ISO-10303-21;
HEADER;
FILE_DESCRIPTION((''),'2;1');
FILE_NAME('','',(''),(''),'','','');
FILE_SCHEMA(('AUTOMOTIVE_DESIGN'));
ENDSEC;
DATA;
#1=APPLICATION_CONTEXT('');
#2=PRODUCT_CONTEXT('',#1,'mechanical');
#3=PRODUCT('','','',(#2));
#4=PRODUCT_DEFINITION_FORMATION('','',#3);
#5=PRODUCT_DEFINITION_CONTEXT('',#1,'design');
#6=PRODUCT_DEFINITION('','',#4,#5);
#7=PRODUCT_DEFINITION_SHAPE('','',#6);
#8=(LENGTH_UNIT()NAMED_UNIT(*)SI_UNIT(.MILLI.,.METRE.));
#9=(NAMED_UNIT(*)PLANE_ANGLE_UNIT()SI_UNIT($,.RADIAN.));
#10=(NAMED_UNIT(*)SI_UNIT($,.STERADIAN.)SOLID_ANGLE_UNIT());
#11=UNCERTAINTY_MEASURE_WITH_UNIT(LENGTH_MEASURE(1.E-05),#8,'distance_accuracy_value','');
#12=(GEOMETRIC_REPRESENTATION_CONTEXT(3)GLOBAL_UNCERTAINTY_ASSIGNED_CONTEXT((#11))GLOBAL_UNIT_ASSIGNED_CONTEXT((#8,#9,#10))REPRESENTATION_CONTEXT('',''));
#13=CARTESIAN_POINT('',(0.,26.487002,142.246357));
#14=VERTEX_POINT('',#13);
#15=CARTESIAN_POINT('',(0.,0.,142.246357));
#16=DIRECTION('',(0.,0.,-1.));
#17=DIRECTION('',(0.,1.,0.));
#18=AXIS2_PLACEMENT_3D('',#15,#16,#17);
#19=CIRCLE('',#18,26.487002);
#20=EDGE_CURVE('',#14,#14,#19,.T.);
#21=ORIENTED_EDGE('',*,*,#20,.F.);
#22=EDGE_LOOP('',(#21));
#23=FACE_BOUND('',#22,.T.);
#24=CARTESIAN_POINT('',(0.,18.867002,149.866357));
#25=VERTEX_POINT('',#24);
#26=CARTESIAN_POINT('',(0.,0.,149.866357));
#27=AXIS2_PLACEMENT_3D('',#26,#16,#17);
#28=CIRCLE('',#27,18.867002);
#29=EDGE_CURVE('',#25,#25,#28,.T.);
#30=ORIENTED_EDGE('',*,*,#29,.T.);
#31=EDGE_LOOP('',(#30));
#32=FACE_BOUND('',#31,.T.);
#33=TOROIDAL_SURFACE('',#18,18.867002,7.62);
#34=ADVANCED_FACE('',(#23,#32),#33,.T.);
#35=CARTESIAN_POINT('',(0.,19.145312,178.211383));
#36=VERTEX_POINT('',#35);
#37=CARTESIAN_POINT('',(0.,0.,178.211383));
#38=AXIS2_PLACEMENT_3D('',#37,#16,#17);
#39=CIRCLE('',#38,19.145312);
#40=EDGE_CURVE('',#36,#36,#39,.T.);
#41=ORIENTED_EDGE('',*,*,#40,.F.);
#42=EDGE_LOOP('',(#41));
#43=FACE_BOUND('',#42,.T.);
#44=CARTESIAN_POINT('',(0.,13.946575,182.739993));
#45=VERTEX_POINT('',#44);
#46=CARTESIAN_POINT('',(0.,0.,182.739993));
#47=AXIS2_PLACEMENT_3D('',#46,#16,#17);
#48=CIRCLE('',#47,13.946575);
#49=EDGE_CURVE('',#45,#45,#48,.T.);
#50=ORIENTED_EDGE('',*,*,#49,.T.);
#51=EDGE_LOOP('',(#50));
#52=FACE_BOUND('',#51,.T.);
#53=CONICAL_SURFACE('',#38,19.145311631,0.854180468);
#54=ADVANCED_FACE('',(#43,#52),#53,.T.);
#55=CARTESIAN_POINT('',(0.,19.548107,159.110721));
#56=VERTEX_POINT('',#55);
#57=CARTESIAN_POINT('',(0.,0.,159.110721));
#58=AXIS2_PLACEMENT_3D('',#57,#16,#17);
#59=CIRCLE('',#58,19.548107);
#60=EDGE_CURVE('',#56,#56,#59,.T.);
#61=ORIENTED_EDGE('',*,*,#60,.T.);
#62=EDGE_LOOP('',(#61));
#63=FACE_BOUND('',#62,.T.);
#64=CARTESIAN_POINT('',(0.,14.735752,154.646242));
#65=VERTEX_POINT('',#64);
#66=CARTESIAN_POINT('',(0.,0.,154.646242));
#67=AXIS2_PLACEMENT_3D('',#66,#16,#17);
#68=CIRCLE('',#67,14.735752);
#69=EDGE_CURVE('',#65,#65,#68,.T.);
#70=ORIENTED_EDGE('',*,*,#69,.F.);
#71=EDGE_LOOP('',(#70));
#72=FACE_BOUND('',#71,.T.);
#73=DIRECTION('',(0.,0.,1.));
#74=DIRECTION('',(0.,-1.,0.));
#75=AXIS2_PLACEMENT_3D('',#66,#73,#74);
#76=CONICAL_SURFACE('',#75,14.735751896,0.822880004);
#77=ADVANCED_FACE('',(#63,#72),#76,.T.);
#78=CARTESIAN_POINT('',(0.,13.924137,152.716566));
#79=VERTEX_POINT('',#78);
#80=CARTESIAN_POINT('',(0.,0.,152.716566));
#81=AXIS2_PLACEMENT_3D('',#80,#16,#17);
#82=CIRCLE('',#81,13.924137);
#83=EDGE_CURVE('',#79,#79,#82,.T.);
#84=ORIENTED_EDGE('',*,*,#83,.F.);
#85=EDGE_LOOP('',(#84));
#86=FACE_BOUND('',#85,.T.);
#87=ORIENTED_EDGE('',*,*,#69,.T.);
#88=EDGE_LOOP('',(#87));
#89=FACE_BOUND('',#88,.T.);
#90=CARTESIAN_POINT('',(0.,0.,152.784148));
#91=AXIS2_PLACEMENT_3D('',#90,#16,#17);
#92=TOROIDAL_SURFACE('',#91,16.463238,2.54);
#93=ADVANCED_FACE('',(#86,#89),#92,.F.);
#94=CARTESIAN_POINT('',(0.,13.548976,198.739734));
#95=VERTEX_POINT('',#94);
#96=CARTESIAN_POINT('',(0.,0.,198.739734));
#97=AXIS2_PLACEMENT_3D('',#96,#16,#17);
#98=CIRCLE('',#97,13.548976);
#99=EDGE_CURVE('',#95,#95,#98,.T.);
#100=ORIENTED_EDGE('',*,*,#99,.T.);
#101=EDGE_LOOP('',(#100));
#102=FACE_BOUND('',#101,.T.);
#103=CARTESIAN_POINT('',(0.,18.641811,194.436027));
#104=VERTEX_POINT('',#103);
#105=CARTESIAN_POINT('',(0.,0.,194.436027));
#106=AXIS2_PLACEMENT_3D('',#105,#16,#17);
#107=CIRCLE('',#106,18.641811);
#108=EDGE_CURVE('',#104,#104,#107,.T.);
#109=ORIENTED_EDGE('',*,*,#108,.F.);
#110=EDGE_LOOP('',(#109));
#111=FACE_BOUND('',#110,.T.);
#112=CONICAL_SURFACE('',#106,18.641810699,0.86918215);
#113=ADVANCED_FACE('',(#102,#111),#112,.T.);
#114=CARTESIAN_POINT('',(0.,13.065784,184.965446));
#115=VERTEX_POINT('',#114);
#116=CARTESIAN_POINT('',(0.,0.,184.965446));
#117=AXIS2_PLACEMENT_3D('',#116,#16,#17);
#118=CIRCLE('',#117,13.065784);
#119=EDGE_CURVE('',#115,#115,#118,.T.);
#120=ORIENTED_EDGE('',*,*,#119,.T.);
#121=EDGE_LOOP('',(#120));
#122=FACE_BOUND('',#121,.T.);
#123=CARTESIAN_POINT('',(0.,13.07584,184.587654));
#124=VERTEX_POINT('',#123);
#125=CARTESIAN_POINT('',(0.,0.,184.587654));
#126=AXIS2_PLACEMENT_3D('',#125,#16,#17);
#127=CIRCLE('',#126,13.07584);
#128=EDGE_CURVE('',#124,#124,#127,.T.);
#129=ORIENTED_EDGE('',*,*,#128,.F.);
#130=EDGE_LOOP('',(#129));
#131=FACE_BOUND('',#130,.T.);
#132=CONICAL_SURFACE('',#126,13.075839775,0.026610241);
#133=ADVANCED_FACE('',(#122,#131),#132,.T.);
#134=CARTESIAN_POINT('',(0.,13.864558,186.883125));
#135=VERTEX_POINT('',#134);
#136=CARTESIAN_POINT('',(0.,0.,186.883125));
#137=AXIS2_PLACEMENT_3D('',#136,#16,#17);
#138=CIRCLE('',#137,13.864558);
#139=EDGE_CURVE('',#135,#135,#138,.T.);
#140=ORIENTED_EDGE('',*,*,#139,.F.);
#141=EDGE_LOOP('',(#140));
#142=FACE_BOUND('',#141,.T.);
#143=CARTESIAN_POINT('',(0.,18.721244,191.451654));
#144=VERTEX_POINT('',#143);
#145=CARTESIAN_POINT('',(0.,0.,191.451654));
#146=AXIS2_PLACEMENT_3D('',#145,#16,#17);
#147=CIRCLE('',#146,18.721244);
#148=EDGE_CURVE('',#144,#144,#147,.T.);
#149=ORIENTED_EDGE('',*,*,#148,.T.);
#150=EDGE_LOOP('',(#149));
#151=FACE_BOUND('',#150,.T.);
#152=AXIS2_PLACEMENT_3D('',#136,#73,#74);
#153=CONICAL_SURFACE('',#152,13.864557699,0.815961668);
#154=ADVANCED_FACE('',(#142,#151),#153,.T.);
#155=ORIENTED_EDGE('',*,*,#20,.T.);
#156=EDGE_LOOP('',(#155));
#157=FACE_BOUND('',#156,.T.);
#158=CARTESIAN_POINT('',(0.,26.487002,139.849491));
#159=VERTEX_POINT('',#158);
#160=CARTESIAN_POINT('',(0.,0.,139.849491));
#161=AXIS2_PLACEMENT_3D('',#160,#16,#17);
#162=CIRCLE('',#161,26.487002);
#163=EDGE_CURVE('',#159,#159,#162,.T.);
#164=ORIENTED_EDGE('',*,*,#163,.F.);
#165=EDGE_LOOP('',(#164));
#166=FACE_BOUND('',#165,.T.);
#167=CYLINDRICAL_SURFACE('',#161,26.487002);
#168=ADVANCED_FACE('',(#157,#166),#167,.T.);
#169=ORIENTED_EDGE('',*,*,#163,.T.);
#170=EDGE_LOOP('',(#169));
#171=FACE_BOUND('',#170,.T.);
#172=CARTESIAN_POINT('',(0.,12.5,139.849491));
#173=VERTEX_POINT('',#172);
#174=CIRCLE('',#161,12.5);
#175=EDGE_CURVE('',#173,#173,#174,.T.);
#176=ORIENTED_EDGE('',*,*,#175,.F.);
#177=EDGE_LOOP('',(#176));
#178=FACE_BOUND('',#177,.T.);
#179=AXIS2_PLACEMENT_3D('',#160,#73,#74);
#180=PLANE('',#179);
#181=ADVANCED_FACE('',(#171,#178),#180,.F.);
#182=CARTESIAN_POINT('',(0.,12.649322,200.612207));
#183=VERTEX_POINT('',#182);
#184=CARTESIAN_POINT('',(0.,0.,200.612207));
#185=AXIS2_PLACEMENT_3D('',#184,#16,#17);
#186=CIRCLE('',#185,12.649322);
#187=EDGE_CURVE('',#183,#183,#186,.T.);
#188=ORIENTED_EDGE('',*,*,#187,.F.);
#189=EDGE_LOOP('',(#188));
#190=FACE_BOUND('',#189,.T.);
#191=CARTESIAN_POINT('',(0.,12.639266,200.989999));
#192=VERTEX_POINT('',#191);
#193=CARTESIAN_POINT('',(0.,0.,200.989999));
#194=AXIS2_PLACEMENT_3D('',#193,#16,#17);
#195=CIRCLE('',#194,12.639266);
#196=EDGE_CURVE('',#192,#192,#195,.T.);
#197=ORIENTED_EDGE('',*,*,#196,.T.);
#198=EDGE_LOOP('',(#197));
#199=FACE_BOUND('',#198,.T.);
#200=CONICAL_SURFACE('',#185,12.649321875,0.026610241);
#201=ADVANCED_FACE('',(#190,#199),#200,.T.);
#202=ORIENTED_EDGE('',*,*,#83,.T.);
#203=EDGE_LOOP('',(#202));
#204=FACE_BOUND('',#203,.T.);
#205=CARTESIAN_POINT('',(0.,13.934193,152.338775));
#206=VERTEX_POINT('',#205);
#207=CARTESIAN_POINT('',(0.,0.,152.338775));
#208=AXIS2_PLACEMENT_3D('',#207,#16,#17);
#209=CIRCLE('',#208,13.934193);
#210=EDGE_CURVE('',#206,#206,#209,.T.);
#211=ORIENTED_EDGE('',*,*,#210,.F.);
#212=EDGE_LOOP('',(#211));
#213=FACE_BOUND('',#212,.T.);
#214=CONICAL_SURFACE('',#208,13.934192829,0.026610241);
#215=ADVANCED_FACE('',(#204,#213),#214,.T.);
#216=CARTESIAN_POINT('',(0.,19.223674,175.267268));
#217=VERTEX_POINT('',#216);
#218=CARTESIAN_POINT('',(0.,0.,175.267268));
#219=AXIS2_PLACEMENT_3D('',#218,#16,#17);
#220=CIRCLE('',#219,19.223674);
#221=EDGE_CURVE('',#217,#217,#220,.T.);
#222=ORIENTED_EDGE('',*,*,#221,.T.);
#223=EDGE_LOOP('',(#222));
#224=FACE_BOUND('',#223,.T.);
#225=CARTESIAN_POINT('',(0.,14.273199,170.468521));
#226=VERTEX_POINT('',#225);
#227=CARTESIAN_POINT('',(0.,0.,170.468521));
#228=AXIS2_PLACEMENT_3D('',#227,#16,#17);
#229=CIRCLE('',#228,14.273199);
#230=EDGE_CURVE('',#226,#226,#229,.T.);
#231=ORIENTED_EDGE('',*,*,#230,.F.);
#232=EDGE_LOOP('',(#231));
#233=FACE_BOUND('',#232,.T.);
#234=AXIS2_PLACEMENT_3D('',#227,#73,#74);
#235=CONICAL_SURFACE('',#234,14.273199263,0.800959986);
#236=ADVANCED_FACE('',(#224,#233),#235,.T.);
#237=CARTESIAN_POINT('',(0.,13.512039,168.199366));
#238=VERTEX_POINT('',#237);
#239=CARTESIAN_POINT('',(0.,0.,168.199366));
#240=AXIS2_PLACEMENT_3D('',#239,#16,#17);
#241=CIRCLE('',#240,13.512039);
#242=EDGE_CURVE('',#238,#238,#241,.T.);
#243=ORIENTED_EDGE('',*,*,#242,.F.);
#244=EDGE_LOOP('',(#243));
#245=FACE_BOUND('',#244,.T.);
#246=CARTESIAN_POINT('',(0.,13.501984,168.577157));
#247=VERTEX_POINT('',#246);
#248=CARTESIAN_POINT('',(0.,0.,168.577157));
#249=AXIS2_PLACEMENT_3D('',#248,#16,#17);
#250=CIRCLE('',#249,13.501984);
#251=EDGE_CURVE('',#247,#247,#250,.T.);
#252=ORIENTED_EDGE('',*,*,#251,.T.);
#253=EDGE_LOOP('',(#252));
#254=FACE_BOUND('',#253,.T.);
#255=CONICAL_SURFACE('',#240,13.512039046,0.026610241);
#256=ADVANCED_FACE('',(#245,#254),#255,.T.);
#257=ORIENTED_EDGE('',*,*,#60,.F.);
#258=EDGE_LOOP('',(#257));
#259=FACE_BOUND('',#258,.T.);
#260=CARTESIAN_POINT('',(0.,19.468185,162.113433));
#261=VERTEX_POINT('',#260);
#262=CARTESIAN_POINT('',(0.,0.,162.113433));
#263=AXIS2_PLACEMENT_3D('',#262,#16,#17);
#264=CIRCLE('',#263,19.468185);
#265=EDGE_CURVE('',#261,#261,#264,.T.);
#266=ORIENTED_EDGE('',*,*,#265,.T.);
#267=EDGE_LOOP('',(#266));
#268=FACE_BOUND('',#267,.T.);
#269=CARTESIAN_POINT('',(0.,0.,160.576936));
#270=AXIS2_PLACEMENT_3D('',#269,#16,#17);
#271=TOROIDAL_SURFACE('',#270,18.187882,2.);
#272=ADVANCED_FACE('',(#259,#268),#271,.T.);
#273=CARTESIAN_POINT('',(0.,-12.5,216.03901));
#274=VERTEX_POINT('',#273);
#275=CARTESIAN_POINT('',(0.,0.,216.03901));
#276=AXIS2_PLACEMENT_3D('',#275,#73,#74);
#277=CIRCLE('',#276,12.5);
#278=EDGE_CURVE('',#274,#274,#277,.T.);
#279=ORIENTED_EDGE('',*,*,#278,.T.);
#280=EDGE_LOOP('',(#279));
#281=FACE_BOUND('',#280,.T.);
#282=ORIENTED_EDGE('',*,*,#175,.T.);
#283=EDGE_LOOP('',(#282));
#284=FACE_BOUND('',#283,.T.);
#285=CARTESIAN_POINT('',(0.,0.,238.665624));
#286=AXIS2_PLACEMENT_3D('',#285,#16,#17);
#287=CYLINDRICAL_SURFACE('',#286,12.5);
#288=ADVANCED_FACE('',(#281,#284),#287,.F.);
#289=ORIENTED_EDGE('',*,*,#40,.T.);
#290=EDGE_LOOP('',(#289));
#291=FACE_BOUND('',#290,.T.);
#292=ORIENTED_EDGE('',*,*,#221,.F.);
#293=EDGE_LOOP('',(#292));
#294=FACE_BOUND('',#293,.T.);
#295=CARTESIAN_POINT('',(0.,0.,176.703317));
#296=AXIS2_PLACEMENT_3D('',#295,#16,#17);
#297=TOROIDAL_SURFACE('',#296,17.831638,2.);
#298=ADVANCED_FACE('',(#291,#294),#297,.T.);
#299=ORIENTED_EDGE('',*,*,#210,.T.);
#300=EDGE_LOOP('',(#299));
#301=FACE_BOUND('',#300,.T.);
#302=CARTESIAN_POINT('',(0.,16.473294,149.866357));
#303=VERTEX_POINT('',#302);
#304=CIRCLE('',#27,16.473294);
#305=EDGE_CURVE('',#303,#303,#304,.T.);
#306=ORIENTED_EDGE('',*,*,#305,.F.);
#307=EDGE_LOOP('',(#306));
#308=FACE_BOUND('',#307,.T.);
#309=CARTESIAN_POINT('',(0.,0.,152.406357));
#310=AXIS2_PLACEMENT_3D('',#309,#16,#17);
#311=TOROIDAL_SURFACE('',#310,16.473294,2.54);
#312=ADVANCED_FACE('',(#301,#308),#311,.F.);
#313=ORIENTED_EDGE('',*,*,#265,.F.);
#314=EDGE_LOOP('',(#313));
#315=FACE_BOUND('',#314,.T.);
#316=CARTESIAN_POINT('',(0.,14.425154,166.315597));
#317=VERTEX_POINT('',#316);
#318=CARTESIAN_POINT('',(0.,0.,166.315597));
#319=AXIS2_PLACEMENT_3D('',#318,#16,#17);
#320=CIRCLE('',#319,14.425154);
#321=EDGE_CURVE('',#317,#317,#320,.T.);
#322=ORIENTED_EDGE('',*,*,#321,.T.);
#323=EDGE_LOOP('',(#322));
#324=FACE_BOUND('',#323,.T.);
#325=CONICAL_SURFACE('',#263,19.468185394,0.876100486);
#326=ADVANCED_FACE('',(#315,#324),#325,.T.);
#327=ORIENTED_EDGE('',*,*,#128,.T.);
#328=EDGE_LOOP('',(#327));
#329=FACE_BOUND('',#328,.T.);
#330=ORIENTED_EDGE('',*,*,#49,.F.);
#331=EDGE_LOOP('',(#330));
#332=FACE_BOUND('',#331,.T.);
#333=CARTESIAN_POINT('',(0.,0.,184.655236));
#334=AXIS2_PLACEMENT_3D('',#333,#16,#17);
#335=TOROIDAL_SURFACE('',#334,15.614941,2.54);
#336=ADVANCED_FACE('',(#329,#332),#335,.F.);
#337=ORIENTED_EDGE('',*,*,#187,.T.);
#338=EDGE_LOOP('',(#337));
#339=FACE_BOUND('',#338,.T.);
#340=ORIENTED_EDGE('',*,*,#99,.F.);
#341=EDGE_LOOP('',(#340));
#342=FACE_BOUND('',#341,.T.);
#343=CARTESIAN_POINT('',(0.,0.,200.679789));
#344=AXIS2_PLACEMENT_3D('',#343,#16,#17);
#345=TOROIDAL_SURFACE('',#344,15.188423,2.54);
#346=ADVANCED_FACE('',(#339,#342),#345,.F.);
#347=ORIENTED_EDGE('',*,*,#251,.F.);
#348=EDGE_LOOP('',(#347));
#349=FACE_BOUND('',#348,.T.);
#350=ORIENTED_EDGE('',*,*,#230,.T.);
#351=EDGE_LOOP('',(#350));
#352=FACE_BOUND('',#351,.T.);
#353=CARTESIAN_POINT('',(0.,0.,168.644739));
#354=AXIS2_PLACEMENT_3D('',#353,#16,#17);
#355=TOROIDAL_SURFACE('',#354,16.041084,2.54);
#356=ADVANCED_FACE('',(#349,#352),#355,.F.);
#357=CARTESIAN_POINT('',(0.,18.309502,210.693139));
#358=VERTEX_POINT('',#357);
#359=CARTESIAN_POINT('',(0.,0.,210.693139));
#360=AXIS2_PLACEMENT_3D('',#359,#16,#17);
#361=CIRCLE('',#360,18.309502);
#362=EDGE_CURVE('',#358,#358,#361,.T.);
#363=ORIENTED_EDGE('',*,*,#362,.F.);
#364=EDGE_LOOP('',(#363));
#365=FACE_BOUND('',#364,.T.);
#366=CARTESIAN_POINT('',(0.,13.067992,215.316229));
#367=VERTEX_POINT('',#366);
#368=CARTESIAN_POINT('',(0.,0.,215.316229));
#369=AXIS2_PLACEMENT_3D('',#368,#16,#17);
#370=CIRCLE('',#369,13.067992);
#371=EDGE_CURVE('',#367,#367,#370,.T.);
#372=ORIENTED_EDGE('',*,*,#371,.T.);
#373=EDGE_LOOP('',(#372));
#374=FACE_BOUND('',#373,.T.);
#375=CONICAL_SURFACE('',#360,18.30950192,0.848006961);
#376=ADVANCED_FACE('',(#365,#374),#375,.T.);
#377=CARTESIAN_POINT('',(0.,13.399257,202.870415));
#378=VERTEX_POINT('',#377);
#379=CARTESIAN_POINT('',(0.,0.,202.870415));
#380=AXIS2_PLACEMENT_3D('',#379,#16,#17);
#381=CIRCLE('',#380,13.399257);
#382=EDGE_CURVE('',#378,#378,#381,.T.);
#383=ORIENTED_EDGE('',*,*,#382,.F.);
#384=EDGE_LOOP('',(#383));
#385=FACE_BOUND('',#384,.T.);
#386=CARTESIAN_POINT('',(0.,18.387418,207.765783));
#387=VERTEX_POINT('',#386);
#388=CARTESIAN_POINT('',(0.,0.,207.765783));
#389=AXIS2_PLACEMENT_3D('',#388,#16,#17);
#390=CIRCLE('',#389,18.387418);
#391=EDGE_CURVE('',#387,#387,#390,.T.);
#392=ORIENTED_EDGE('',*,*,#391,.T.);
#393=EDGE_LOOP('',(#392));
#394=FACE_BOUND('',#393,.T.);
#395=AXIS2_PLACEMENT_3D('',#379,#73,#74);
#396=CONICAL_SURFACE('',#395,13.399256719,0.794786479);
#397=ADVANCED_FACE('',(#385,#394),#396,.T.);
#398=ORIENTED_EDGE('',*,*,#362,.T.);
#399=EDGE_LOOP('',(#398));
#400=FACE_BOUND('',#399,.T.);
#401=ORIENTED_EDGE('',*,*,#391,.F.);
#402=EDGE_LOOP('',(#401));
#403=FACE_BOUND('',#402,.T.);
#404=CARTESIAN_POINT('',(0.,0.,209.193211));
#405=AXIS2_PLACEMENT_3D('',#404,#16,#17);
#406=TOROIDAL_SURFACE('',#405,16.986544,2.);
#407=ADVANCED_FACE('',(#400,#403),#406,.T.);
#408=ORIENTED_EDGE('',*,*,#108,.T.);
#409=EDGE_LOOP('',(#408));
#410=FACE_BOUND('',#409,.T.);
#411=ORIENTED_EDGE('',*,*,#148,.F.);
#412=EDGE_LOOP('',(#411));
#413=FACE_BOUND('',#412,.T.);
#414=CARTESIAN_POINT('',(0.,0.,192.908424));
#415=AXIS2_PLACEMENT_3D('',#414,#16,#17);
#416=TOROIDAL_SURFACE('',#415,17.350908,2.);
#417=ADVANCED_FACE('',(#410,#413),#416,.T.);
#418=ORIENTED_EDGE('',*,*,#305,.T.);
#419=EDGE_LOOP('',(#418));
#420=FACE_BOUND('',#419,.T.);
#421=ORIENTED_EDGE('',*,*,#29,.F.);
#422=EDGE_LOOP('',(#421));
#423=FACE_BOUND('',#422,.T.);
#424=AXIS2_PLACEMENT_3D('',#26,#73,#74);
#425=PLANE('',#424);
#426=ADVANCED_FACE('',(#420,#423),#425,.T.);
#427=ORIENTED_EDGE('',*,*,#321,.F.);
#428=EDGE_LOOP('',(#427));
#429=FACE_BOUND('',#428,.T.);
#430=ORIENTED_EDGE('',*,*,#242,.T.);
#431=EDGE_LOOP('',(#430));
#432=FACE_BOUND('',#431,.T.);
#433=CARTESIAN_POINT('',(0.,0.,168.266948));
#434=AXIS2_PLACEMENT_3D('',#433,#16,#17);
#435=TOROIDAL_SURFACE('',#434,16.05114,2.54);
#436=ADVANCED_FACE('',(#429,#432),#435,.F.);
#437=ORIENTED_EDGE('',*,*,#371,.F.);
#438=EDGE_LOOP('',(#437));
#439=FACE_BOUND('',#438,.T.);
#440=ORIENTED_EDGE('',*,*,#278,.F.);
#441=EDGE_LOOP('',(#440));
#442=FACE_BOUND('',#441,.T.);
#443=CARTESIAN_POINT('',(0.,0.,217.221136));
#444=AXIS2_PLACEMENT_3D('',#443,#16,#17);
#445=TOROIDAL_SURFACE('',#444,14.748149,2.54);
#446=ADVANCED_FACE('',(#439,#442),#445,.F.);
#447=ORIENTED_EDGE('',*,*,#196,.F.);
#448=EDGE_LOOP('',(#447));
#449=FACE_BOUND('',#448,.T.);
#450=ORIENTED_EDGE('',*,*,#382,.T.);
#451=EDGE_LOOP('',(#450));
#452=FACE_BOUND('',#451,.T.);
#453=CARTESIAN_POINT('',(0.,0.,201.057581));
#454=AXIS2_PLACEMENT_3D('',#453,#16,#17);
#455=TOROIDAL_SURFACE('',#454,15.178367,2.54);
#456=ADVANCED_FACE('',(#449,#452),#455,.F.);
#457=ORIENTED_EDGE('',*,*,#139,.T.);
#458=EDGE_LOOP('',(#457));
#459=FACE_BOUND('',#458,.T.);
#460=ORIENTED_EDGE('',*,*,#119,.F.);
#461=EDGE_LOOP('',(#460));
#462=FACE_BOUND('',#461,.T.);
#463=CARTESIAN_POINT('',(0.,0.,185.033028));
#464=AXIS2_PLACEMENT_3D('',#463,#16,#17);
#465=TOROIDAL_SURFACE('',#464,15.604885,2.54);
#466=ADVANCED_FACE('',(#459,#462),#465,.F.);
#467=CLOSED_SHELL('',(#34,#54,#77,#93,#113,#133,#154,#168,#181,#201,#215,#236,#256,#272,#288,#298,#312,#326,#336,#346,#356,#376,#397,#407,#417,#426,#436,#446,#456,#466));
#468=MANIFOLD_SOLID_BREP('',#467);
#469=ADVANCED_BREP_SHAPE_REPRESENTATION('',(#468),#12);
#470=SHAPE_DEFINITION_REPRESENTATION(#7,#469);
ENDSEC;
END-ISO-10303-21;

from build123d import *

# Parameters (mm, degrees)
SKETCH21_R         = 12.5
CUT_EXTRUDE1_DEPTH = 106.677579344


with BuildPart() as part:
    # Sketch20 → Revolve5 (revolve)
    with BuildSketch(Plane(origin=(0, 0, 0), x_dir=(0, 0, -1), z_dir=(1, 0, 0))):
        with BuildLine():
            ThreePointArc((-149.86635702, 16.473293589), (-150.586568795, 14.701297309), (-152.338774985, 13.934192829))
            Line((-152.338774985, 13.934192829), (-152.716566296, 13.924137338))
            ThreePointArc((-152.716566296, 13.924137338), (-153.768905768, 14.121902412), (-154.646241622, 14.735751896))
            Line((-154.646241622, 14.735751896), (-159.110721109, 19.548107151))
            ThreePointArc((-159.110721109, 19.548107151), (-160.630150499, 20.187173732), (-162.113433189, 19.468185394))
            Line((-162.113433189, 19.468185394), (-166.315596551, 14.425154235))
            ThreePointArc((-166.315596551, 14.425154235), (-167.159036261, 13.765503688), (-168.199365567, 13.512039046))
            Line((-168.199365567, 13.512039046), (-168.577156878, 13.501983554))
            ThreePointArc((-168.577156878, 13.501983554), (-169.603776658, 13.689096516), (-170.468521369, 14.273199263))
            Line((-170.468521369, 14.273199263), (-175.267267946, 19.223673735))
            ThreePointArc((-175.267267946, 19.223673735), (-176.756531325, 19.830930199), (-178.211382865, 19.145311631))
            Line((-178.211382865, 19.145311631), (-182.739992735, 13.946575356))
            ThreePointArc((-182.739992735, 13.946575356), (-183.572441518, 13.317299218), (-184.587654191, 13.075839775))
            Line((-184.587654191, 13.075839775), (-184.965445502, 13.065784283))
            ThreePointArc((-184.965445502, 13.065784283), (-186.009680025, 13.260156931), (-186.88312503, 13.864557699))
            Line((-186.88312503, 13.864557699), (-191.451654285, 18.721244315))
            ThreePointArc((-191.451654285, 18.721244315), (-192.961638166, 19.35019976), (-194.436026585, 18.641810699))
            Line((-194.436026585, 18.641810699), (-198.73973417, 13.548975982))
            ThreePointArc((-198.73973417, 13.548975982), (-199.579791169, 12.898967748), (-200.612207462, 12.649321875))
            Line((-200.612207462, 12.649321875), (-200.989998773, 12.639266383))
            ThreePointArc((-200.989998773, 12.639266383), (-202.00935399, 12.823430241), (-202.870414529, 13.399256719))
            Line((-202.870414529, 13.399256719), (-207.765783323, 18.387417939))
            ThreePointArc((-207.765783323, 18.387417939), (-209.246425651, 18.985835526), (-210.693138533, 18.30950192))
            Line((-210.693138533, 18.30950192), (-215.316229055, 13.067992403))
            ThreePointArc((-215.316229055, 13.067992403), (-216.145439142, 12.447176797), (-217.153554415, 12.209048723))
            Line((-217.153554415, 12.209048723), (-217.531345726, 12.198993232))
            ThreePointArc((-217.531345726, 12.198993232), (-218.603121904, 12.4050286), (-219.489494365, 13.041816327))
            Line((-219.489494365, 13.041816327), (-223.709085468, 17.744712666))
            ThreePointArc((-223.709085468, 17.744712666), (-225.25093479, 18.408352899), (-226.755298463, 17.663633066))
            Line((-226.755298463, 17.663633066), (-230.718742879, 12.742932769))
            ThreePointArc((-230.718742879, 12.742932769), (-231.569986193, 12.05989575), (-232.629284744, 11.797138582))
            ThreePointArc((-232.629284744, 11.797138582), (-237.34867537, 6.776119986), (-238.600663215, 0))
            Line((-238.600663215, 0), (-139.849490611, 0))
            Line((-139.849490611, 0), (-139.849490611, 26.487002499))
            Line((-139.849490611, 26.487002499), (-142.24635702, 26.487002499))
            ThreePointArc((-142.24635702, 26.487002499), (-147.634510692, 24.255156171), (-149.86635702, 18.867002499))
            Line((-149.86635702, 18.867002499), (-149.86635702, 16.473293589))
        make_face()
    revolve(axis=Axis((0, 0, 139.849490611), (0, 0, 1)))

    # Sketch21 → Cut-Extrude1 (cut, through all)
    with BuildSketch(Plane(origin=(0, 0, 139.849490611), x_dir=(-1, 0, 0), z_dir=(0, 0, -1))):
        Circle(SKETCH21_R)
    extrude(amount=-CUT_EXTRUDE1_DEPTH, mode=Mode.SUBTRACT)


with BuildPart() as body_2:
    # of the pieces the cut leaves, the one that is kept (cut_extrude1_keep)
    add(part.part.solids().sort_by_distance((0, 26.487002499, 142.24635702))[0])


solid = body_2.part
